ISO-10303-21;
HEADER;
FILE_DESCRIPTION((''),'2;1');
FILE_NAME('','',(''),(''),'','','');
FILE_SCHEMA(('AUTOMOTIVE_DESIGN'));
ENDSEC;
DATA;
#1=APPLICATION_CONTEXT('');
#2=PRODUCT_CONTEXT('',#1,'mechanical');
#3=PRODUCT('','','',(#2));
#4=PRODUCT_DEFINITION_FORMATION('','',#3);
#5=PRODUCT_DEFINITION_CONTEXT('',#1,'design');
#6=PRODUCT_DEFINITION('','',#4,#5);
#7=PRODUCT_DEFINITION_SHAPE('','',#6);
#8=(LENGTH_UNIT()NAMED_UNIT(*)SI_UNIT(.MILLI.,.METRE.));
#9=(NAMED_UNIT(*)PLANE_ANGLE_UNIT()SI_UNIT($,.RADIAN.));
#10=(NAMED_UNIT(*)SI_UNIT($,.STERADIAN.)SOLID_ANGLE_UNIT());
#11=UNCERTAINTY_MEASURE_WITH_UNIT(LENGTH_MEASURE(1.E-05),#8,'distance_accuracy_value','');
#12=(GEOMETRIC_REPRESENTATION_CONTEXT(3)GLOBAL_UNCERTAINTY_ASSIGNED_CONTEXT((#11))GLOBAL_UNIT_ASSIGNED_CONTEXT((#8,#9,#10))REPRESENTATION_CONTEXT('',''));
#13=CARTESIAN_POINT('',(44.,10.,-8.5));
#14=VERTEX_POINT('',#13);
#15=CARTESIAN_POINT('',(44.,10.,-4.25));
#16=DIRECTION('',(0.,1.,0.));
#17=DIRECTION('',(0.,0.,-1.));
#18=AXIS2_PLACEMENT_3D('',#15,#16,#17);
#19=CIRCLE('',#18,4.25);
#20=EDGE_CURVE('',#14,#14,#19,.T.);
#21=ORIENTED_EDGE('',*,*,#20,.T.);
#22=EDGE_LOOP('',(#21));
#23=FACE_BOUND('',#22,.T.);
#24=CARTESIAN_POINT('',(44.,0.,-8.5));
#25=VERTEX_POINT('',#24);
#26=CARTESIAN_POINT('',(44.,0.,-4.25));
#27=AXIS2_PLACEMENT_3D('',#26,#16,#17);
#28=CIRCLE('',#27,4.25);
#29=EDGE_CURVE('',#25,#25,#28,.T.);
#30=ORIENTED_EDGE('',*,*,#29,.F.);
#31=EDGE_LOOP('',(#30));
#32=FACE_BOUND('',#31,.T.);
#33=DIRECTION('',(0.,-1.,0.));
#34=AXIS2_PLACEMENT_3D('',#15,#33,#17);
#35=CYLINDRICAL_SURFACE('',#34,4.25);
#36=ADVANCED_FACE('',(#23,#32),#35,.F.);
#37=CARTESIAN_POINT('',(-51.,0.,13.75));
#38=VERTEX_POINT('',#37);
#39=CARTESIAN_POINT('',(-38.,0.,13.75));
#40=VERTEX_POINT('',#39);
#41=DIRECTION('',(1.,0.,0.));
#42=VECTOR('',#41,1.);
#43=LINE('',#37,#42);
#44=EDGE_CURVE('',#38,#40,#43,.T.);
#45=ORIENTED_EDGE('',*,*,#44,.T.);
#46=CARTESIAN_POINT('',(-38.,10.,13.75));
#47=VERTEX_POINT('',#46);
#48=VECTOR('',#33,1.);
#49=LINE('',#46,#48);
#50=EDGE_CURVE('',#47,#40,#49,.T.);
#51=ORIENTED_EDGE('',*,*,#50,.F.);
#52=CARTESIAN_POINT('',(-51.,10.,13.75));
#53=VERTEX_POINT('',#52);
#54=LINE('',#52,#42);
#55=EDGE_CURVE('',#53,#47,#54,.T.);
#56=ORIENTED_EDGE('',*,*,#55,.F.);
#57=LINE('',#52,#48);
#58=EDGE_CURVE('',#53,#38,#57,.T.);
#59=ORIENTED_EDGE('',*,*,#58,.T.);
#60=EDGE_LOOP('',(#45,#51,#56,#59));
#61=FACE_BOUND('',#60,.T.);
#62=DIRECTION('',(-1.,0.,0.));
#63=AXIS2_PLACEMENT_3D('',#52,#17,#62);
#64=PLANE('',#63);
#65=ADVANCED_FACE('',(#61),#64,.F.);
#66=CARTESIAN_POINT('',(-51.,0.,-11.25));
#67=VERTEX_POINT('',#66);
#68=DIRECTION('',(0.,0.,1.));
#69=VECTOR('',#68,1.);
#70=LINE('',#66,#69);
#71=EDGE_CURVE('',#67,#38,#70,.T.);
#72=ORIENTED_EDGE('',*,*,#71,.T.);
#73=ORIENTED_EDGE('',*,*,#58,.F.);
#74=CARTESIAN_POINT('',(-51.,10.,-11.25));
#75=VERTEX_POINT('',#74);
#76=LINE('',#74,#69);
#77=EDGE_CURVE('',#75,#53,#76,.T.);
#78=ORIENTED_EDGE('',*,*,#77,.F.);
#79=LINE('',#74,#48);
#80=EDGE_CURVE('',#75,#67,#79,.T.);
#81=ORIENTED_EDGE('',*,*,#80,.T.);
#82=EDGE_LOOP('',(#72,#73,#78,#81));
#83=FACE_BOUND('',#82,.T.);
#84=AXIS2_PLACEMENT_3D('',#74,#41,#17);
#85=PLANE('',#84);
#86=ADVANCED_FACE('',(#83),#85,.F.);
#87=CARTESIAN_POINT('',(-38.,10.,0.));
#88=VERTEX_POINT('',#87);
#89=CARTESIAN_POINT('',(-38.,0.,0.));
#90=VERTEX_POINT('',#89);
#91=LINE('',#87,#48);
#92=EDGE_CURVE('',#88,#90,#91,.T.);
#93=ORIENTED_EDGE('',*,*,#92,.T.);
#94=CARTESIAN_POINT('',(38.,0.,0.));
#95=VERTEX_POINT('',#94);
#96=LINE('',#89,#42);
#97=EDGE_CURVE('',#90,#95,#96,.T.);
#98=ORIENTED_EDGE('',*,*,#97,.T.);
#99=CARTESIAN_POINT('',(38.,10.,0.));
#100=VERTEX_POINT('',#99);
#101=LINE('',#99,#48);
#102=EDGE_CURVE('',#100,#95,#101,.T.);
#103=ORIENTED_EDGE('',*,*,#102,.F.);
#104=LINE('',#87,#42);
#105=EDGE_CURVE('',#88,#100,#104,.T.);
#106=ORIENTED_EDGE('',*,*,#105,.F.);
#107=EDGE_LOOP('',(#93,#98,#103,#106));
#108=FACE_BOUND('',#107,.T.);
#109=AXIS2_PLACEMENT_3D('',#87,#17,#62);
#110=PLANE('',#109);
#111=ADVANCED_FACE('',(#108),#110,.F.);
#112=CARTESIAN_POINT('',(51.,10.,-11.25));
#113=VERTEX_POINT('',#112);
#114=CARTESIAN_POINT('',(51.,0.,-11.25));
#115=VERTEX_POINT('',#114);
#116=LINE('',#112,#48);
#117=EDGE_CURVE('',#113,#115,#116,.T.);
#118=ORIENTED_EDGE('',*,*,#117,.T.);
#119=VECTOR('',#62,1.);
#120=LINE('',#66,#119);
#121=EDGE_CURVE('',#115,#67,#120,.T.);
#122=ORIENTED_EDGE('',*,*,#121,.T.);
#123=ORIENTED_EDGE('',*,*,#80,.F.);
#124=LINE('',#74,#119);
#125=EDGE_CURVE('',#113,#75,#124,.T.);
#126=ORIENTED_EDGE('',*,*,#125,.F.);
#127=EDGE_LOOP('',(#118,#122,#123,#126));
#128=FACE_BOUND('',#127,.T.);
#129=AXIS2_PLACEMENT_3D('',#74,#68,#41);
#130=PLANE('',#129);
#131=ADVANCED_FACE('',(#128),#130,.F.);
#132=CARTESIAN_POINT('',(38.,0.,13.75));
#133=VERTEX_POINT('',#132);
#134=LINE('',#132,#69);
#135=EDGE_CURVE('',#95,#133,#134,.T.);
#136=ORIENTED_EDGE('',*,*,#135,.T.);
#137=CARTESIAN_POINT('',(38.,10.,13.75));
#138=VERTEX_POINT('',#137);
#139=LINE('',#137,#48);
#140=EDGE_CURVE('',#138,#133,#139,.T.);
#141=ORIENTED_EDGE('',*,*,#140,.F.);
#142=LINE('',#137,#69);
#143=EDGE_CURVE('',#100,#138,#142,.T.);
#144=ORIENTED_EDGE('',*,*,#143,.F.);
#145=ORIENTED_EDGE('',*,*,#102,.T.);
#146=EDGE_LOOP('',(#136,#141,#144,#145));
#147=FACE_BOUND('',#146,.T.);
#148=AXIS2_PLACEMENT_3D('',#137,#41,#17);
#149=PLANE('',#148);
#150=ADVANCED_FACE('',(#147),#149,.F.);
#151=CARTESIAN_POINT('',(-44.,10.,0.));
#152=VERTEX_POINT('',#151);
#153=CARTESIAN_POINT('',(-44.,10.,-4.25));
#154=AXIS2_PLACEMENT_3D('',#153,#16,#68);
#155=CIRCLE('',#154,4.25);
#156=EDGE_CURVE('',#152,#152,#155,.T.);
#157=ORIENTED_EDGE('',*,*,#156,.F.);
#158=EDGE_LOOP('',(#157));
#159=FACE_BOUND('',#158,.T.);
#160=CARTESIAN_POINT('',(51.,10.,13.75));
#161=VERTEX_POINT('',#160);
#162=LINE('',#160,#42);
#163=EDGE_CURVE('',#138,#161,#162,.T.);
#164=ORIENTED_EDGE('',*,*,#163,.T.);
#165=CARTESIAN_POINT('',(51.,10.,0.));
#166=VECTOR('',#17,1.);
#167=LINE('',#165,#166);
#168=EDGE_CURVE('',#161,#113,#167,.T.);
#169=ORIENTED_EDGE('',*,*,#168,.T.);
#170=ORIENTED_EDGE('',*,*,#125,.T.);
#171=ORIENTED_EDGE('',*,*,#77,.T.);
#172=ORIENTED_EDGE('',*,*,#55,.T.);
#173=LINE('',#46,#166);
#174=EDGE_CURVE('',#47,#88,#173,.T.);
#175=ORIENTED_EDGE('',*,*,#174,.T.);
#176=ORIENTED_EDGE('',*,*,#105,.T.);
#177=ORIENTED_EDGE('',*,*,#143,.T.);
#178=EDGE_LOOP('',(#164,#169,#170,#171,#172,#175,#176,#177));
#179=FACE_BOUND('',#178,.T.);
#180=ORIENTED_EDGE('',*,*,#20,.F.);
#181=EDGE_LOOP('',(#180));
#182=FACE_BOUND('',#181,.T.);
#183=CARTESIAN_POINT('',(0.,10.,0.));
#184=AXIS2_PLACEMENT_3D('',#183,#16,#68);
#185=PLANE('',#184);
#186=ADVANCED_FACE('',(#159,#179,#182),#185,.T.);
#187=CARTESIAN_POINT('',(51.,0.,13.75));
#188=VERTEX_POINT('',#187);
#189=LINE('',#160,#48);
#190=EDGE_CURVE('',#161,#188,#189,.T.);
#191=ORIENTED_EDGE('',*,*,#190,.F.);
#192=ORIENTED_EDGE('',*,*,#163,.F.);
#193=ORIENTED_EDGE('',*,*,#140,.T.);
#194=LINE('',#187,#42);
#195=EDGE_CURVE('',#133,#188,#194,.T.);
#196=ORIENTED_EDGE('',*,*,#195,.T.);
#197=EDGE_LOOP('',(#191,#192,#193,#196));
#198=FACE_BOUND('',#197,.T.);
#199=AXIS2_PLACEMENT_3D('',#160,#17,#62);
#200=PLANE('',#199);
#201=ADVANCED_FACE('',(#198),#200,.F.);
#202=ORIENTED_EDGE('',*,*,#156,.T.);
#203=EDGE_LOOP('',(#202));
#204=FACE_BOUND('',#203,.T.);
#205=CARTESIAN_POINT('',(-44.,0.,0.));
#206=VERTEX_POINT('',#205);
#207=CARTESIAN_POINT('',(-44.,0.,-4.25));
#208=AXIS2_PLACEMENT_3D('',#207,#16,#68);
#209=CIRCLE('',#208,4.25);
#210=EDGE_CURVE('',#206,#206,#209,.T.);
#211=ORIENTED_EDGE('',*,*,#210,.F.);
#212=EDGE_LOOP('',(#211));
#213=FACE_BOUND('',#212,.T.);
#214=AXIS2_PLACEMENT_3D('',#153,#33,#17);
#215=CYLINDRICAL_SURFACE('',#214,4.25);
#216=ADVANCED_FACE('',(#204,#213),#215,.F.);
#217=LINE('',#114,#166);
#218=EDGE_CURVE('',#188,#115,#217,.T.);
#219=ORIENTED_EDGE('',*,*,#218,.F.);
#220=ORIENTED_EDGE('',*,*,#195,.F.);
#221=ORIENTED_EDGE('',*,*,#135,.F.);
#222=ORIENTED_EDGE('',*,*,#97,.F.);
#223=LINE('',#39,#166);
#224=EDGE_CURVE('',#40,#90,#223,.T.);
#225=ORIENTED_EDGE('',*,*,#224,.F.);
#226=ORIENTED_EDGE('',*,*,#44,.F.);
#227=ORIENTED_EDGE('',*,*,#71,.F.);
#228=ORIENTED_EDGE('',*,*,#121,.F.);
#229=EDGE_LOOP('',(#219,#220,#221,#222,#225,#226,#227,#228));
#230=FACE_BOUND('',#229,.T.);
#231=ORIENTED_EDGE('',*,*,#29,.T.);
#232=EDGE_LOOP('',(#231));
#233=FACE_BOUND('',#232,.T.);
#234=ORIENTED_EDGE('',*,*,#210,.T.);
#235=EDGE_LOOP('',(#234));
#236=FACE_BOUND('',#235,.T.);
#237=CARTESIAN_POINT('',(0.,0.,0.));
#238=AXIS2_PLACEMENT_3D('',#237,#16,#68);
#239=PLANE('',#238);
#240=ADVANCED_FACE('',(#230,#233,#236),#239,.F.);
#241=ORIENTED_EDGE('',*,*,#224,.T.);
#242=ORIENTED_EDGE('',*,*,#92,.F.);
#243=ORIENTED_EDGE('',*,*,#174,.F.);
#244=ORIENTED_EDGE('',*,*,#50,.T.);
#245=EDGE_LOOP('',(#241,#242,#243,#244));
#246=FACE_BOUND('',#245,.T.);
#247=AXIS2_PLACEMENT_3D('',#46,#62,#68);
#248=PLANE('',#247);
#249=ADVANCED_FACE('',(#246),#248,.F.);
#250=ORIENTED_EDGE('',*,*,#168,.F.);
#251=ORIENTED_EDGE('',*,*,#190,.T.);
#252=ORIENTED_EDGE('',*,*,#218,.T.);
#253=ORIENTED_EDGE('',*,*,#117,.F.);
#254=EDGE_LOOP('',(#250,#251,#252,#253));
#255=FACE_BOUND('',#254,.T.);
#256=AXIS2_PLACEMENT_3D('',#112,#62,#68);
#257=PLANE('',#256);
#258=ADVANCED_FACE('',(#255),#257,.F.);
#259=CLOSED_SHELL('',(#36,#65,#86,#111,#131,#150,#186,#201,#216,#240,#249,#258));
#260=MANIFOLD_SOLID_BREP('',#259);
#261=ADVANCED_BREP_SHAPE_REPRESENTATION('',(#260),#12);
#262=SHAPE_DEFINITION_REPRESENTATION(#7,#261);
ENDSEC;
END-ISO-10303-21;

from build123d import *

# Parameters (mm, degrees)
SKETCH1_R           = 4.25
BOSS_EXTRUDE1_DEPTH = 10


with BuildPart() as part:
    # Sketch1 → Boss-Extrude1 (new body)
    with BuildSketch(Plane(origin=(0, 0, 0), x_dir=(1, 0, 0), z_dir=(0, 1, 0))):
        Polygon((-51, 11.25), (51, 11.25), (51, 0), (51, -13.75), (38, -13.75), (38, 0), (-38, 0), (-38, -13.75), (-51, -13.75), align=None)
        with Locations(Location((-44, 4.25, 0), (0, 0, 270))):
            Circle(SKETCH1_R, mode=Mode.SUBTRACT)
        with Locations(Location((44, 4.25, 0), (0, 0, 90))):
            Circle(SKETCH1_R, mode=Mode.SUBTRACT)
    extrude(amount=BOSS_EXTRUDE1_DEPTH)


solid = part.part
